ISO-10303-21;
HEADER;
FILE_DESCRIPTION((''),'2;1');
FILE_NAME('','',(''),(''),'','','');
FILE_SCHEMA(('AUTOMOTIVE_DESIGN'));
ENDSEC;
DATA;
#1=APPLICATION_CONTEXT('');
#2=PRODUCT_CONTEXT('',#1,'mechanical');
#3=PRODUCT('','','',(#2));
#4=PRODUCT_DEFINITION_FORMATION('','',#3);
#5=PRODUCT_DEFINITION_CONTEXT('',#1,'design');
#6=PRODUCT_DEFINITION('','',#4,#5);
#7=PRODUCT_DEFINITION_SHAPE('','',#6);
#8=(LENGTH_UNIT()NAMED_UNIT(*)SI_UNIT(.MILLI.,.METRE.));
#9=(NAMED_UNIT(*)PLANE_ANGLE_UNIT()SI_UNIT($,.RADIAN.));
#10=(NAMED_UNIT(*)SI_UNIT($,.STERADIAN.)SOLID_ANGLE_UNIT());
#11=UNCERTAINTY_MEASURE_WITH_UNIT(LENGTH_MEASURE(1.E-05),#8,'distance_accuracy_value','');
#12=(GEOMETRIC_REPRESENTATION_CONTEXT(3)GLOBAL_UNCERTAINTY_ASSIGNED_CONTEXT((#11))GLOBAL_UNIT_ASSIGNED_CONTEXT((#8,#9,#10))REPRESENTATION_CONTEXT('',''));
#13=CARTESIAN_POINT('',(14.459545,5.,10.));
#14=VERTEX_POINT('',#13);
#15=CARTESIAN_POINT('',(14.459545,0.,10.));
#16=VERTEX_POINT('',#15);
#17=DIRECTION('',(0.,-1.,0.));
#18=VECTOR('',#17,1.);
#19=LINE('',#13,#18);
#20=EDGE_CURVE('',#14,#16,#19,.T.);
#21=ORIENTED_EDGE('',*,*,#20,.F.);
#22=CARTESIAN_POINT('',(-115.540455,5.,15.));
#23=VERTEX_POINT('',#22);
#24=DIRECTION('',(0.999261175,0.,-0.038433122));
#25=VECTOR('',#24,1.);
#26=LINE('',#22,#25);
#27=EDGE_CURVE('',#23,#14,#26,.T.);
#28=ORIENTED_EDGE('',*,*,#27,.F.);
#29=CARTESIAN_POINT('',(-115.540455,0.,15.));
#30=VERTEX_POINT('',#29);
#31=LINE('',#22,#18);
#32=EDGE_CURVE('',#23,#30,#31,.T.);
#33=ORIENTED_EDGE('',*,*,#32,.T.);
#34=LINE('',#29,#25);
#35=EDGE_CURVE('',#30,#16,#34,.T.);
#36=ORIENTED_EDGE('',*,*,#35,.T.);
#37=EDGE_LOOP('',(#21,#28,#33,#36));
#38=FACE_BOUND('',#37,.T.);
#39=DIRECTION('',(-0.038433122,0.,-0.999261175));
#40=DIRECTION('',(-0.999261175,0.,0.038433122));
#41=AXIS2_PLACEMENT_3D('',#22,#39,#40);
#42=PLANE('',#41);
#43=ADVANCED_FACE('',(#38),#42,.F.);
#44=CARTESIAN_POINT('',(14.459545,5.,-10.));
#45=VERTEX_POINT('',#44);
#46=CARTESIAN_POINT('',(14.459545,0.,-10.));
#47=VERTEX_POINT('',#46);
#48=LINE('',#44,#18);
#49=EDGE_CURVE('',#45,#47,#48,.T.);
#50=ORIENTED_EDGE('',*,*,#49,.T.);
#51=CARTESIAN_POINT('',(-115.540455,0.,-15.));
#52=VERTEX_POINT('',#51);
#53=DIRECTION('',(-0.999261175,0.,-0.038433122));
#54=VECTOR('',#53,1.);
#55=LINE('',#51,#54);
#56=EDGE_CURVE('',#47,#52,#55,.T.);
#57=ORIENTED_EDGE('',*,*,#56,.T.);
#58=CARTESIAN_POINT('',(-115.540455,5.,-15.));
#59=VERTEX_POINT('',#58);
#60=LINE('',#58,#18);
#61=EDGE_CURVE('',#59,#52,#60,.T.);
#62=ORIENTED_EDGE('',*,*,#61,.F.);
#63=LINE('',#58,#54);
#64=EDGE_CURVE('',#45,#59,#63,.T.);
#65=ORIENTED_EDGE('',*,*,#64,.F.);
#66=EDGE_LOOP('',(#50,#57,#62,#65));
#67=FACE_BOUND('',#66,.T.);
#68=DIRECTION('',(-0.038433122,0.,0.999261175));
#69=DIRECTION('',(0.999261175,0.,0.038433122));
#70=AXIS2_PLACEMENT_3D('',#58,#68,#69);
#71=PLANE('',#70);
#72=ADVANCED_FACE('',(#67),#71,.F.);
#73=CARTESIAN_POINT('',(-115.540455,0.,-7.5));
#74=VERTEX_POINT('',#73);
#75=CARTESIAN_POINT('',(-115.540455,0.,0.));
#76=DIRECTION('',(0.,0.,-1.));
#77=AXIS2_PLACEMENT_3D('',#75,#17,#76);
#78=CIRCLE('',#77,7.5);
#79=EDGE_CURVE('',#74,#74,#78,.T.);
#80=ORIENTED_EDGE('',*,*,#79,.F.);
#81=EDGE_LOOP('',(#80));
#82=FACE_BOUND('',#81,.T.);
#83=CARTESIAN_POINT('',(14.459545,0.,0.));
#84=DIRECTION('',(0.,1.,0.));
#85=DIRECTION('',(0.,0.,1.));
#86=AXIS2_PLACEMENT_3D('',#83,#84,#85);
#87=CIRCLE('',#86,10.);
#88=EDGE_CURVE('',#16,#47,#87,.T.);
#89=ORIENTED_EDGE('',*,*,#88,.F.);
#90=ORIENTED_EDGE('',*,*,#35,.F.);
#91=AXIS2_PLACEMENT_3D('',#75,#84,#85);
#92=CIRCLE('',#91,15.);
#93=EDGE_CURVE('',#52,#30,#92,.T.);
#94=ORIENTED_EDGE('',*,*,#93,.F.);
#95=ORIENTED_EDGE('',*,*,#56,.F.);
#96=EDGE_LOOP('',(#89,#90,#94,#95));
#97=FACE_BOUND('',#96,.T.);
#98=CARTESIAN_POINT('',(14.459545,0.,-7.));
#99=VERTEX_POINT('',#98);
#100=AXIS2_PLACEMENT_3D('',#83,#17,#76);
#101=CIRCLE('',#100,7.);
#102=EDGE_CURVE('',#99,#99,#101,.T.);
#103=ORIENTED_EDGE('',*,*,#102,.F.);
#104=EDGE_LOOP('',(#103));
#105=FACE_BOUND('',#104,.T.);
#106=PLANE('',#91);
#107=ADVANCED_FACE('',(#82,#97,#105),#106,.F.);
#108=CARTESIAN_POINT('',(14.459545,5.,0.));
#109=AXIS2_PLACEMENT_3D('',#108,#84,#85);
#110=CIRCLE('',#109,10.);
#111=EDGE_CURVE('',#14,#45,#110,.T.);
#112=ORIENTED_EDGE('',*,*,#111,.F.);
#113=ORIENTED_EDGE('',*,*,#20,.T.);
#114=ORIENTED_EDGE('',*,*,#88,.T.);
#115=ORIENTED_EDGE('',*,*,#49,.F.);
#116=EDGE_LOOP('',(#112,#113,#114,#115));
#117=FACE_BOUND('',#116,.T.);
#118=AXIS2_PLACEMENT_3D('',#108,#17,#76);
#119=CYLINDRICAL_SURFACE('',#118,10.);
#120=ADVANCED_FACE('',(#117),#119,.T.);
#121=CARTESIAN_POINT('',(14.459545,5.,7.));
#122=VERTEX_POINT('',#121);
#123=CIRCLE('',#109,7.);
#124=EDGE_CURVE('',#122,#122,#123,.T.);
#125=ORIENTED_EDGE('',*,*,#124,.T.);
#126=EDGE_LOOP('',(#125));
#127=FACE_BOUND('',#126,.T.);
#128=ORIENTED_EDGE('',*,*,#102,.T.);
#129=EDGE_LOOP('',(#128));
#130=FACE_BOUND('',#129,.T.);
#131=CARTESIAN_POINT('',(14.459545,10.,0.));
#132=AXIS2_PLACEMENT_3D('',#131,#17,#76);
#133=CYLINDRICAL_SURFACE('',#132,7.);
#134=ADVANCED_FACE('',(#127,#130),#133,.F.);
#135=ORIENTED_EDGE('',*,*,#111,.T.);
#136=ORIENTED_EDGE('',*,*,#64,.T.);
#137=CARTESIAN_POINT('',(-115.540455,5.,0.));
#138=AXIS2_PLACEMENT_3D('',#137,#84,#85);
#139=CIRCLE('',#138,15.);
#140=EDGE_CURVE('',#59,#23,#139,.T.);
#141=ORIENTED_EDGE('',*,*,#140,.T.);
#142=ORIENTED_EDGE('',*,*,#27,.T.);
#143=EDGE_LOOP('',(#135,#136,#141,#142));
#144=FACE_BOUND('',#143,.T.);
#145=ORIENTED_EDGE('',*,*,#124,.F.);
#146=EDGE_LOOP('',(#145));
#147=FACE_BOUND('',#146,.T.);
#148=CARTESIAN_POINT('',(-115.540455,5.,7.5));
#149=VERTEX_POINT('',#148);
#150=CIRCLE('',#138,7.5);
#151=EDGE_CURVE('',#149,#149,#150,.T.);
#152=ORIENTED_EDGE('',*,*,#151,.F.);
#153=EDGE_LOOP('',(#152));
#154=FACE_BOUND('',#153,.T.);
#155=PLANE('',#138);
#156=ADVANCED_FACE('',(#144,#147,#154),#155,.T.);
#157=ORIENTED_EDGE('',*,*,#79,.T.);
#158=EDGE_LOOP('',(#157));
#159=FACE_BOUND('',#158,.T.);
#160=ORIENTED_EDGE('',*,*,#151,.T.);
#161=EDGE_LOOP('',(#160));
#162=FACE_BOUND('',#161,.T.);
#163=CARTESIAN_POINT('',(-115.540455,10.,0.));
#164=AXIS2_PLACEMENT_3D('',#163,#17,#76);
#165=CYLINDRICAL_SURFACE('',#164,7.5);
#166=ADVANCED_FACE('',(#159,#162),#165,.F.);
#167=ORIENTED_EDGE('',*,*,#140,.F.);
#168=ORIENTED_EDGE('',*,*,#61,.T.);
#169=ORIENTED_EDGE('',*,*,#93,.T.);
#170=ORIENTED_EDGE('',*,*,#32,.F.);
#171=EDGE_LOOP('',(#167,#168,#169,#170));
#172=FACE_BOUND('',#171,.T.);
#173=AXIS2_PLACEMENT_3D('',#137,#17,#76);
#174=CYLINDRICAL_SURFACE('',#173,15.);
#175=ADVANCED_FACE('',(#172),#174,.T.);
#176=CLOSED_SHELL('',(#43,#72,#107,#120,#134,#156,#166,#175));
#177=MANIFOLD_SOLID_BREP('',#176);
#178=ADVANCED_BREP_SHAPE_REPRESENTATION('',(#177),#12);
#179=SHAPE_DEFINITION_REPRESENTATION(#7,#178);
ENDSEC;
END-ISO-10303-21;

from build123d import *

# Parameters (mm, degrees)
BOSS_EXTRUDE1_DEPTH = 5
SKETCH4_R           = 7
SKETCH4_R_2         = 7.5
CUT_EXTRUDE1_DEPTH  = 10


with BuildPart() as part:
    # Sketch3 → Boss-Extrude1 (new body)
    with BuildSketch(Plane(origin=(0, 0, 0), x_dir=(1, 0, 0), z_dir=(0, 1, 0))):
        with BuildLine():
            Line((-115.540454706, 15), (14.459545294, 10))
            ThreePointArc((14.459545294, 10), (24.459545294, 0), (14.459545294, -10))
            Line((14.459545294, -10), (-115.540454706, -15))
            ThreePointArc((-115.540454706, -15), (-130.540454706, 0), (-115.540454706, 15))
        make_face()
    extrude(amount=BOSS_EXTRUDE1_DEPTH)

    # Sketch4 → Cut-Extrude1 (cut)
    with BuildSketch(Plane.XZ):
        with Locations(Location((14.459545294, 0, 0), (0, 0, 270))):
            Circle(SKETCH4_R)
        with Locations(Location((-115.540454706, 0, 0), (0, 0, 270))):
            Circle(SKETCH4_R_2)
    extrude(amount=-CUT_EXTRUDE1_DEPTH, mode=Mode.SUBTRACT)


solid = part.part
